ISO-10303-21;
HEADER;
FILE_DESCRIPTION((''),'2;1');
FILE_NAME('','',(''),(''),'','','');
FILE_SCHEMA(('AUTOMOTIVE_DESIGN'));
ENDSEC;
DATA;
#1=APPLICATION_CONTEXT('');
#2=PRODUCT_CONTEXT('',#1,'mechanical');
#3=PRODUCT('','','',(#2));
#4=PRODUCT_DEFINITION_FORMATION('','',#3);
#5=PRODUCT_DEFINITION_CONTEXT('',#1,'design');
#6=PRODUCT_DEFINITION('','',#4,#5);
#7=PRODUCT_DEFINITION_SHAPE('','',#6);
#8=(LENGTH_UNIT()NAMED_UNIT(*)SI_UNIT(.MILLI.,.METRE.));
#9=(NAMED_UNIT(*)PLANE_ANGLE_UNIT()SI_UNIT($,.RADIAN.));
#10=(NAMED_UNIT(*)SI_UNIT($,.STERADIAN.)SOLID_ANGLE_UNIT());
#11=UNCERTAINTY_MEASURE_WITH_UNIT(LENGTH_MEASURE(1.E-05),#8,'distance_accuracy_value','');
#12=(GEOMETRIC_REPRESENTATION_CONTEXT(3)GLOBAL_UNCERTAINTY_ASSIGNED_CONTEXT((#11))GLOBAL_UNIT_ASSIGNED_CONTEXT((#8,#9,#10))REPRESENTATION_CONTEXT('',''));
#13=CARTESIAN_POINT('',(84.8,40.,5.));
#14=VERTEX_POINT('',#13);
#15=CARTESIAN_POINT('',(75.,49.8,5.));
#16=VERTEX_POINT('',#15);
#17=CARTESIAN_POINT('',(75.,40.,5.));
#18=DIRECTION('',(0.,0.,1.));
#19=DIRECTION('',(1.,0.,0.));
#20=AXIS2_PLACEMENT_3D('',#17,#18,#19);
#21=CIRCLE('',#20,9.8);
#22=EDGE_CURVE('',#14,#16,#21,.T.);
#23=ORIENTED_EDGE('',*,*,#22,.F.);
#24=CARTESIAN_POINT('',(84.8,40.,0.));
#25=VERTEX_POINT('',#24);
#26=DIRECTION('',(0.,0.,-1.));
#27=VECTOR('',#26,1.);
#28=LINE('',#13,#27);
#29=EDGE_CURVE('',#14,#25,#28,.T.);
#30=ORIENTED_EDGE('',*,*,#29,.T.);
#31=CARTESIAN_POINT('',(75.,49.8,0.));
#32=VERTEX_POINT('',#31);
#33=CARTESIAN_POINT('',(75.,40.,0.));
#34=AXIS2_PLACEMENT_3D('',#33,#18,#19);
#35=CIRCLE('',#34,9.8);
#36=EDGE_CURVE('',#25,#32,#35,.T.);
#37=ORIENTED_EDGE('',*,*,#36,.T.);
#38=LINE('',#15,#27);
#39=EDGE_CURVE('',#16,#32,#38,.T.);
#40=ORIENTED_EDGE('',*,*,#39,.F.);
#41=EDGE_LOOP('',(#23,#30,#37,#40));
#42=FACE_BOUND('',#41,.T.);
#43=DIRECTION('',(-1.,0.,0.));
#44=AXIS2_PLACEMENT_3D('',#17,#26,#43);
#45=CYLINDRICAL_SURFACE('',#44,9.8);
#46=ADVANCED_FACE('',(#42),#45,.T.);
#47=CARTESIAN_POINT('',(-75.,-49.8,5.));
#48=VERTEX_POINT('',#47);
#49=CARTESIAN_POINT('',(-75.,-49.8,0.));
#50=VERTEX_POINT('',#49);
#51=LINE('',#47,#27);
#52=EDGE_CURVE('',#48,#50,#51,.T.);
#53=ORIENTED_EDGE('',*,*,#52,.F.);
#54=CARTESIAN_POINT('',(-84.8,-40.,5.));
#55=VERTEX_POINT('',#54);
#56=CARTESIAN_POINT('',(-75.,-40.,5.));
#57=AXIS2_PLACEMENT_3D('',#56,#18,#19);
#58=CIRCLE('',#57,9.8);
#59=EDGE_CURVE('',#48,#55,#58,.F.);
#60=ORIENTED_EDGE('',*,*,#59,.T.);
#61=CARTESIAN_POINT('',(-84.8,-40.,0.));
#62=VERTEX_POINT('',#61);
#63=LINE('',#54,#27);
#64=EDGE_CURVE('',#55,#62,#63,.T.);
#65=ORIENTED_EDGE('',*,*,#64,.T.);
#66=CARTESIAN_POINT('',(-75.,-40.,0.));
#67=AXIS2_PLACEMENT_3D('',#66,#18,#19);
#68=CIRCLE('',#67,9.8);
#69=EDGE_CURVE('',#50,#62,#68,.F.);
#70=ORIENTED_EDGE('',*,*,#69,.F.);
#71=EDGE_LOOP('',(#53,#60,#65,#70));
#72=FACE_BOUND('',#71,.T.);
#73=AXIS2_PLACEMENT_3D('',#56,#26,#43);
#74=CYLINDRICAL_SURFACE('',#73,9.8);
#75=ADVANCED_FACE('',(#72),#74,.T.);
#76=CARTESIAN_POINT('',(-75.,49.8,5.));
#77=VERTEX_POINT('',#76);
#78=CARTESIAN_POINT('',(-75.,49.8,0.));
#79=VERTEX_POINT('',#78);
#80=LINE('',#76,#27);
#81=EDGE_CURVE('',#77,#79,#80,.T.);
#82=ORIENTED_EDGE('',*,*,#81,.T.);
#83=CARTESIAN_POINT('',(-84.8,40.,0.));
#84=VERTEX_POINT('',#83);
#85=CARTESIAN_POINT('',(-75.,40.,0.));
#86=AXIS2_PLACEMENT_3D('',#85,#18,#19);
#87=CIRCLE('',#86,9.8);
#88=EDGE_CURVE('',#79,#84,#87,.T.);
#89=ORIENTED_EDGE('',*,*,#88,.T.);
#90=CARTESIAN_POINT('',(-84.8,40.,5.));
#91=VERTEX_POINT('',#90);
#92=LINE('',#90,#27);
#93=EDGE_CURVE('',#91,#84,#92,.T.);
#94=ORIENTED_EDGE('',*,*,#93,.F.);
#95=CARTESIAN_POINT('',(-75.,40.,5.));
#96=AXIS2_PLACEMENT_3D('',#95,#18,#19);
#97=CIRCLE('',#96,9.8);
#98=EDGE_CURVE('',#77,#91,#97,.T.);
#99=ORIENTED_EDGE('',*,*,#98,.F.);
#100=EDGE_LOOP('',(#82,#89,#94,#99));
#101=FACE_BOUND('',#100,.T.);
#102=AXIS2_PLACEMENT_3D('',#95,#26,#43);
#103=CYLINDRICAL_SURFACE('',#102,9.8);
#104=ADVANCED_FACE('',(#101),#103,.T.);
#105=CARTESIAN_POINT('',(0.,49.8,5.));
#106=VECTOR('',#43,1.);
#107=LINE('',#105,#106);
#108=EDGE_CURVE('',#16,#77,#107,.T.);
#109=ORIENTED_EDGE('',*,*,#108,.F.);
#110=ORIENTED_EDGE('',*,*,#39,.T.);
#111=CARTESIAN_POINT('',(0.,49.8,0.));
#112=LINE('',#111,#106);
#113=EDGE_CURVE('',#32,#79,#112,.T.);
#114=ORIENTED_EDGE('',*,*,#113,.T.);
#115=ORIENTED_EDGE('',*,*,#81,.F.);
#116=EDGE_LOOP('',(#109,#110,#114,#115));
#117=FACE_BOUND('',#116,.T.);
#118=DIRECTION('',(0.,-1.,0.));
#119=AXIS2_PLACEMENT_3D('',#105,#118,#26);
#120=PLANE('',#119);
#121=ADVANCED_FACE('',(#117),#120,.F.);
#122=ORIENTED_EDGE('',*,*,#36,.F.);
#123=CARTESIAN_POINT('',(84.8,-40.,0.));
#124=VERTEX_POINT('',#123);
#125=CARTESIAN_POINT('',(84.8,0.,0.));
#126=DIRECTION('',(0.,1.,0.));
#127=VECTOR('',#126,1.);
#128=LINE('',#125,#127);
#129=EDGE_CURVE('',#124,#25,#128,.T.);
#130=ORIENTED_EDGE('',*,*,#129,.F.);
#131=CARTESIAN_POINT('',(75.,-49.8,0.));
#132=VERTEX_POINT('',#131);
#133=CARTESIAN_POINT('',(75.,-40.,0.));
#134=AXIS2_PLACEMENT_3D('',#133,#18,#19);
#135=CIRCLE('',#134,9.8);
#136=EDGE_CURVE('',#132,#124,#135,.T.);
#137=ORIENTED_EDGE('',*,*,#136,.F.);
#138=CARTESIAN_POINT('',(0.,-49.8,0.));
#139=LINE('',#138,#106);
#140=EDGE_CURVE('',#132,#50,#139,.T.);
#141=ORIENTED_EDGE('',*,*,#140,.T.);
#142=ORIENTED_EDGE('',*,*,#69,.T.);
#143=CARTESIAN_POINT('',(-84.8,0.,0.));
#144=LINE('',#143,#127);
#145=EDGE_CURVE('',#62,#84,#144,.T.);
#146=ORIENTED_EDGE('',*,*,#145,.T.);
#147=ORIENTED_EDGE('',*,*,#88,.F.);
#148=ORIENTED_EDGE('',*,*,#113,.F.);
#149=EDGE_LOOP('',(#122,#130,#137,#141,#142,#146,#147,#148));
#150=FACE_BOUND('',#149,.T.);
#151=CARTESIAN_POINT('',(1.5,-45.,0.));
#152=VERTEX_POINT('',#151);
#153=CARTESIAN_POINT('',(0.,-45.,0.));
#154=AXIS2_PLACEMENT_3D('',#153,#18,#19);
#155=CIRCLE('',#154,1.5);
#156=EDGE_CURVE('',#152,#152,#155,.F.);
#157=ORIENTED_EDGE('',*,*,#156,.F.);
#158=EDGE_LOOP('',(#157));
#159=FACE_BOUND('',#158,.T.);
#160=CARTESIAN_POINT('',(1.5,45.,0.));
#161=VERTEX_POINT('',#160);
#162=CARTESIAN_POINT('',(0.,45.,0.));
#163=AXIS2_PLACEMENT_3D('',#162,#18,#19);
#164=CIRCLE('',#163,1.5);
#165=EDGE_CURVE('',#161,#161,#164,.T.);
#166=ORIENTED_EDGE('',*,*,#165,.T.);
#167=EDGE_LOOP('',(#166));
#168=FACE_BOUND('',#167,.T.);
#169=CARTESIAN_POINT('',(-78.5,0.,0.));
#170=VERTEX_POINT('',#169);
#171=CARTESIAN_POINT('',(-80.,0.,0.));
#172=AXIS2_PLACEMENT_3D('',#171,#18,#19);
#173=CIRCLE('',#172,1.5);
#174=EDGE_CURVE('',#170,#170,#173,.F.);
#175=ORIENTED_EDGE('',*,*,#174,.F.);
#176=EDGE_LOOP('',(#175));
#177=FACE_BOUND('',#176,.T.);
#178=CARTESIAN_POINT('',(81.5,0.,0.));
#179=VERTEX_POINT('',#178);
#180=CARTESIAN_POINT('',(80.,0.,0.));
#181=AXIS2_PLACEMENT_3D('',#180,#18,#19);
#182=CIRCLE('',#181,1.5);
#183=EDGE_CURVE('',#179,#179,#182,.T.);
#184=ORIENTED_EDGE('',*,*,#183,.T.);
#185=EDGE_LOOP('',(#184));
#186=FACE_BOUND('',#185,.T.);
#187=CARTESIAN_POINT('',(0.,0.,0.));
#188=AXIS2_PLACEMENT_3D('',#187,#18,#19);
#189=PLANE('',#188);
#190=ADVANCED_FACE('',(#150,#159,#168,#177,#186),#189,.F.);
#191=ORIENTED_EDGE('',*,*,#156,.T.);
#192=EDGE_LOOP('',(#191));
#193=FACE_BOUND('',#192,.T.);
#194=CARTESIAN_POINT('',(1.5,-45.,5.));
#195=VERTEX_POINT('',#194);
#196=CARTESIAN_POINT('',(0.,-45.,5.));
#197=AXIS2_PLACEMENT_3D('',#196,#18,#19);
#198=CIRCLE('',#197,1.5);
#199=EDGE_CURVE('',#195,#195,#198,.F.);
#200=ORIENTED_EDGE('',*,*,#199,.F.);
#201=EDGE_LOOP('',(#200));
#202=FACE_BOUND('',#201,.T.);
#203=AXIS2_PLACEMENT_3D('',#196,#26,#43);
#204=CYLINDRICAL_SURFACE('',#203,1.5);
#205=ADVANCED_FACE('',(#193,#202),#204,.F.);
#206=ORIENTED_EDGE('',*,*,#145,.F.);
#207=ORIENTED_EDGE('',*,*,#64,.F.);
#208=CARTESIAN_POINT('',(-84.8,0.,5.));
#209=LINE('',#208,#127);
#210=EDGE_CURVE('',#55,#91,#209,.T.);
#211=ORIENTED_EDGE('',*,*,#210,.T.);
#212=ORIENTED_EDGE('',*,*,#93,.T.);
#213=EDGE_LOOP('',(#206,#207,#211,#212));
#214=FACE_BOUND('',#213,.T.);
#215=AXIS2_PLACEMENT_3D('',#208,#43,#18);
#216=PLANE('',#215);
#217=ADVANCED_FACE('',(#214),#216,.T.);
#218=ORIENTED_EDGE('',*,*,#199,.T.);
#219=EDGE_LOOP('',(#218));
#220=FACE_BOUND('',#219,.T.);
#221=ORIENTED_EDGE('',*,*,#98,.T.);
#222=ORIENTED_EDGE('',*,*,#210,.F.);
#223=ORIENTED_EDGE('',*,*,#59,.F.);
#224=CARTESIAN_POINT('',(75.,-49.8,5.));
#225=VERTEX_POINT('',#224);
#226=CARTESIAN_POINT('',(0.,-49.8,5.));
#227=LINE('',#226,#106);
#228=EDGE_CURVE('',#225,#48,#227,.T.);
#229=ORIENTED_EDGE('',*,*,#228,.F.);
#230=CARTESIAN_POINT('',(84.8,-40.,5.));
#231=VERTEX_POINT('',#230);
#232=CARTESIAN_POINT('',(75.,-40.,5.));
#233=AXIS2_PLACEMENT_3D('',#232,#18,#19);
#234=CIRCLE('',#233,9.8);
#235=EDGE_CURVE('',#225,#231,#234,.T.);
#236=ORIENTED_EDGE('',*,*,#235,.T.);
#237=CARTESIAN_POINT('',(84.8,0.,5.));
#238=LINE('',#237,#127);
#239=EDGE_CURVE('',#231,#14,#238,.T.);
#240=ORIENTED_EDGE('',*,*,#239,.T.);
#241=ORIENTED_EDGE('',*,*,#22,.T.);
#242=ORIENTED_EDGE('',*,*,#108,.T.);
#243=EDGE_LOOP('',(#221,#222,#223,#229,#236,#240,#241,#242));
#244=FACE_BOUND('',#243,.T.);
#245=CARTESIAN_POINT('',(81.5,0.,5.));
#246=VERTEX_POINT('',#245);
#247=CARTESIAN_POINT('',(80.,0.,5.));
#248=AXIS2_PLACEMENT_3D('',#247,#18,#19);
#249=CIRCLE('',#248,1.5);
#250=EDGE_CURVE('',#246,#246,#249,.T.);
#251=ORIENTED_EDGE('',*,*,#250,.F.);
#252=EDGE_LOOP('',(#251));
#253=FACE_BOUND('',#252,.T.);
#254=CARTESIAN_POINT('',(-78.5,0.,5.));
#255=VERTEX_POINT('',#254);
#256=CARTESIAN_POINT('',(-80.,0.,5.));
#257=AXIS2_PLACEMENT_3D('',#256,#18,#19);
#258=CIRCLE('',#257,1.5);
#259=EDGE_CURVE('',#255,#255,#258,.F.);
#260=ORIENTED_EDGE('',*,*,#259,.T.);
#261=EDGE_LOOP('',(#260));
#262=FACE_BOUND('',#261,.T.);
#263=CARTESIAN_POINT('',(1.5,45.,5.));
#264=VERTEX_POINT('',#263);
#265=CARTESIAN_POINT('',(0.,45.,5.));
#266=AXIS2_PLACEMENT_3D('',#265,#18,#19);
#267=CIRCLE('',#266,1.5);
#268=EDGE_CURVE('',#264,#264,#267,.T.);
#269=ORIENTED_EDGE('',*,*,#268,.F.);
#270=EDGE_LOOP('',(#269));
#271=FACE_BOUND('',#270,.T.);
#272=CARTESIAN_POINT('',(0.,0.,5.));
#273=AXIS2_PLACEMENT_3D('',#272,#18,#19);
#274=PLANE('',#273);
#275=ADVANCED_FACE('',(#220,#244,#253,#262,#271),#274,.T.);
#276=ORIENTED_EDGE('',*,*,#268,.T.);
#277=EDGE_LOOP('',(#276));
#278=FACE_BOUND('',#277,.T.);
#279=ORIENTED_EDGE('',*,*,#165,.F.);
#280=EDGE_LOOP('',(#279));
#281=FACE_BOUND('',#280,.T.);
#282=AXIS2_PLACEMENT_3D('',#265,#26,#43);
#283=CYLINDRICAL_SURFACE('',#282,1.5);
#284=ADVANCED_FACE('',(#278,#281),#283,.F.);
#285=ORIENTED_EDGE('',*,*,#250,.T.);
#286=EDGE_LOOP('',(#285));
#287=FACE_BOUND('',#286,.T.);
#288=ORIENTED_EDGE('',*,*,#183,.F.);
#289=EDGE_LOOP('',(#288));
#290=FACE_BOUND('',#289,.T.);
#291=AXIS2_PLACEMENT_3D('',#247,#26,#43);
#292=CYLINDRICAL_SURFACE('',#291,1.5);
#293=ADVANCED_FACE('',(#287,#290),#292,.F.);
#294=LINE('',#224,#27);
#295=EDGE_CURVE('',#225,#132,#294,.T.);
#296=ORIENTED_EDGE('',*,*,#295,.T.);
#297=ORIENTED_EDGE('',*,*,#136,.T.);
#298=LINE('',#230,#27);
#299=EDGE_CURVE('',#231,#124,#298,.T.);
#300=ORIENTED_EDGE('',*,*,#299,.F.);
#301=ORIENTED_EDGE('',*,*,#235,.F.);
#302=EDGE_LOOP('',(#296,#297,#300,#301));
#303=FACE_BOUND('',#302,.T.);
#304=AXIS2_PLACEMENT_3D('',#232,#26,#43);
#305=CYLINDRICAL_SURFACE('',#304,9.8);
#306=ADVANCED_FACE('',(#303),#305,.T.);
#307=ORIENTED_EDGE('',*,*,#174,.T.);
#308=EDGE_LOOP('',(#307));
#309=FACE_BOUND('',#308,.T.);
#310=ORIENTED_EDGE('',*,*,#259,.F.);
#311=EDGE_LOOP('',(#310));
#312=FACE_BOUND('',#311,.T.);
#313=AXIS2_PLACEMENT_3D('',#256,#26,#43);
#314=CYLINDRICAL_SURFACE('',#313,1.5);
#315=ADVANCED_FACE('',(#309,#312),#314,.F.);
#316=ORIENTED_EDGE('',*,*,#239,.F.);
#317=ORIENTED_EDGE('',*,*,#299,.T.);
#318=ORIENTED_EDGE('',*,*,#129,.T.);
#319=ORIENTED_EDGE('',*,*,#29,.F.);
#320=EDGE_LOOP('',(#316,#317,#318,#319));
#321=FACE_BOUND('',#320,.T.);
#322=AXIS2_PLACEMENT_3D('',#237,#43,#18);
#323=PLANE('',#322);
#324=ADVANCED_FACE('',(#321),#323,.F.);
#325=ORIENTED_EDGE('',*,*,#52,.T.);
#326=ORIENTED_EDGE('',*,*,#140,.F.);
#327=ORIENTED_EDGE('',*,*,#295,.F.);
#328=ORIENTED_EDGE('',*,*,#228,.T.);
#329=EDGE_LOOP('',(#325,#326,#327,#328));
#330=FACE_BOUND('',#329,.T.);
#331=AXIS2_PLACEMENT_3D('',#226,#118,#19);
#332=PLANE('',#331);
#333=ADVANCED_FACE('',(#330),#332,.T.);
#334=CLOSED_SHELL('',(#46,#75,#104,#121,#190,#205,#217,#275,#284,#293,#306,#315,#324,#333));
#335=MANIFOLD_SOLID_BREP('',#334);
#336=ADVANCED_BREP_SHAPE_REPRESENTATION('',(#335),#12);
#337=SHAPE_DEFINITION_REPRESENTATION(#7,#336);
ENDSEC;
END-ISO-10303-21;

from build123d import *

# Parameters (mm, degrees)
ESBO_O1_R                = 1.5
RESSALTO_EXTRUS_O1_DEPTH = 5


with BuildPart() as part:
    # Esboço1 → Ressalto-extrusão1 (new body)
    with BuildSketch(Plane.XY):
        with BuildLine():
            Line((84.8, -40), (84.8, 40))
            ThreePointArc((84.8, 40), (81.929646456, 46.929646456), (75, 49.8))
            Line((75, 49.8), (-75, 49.8))
            ThreePointArc((-75, 49.8), (-81.929646456, 46.929646456), (-84.8, 40))
            Line((-84.8, 40), (-84.8, -40))
            ThreePointArc((-84.8, -40), (-81.929646456, -46.929646456), (-75, -49.8))
            Line((-75, -49.8), (75, -49.8))
            ThreePointArc((75, -49.8), (81.929646456, -46.929646456), (84.8, -40))
        make_face()
        with Locations((0, -45)):
            Circle(ESBO_O1_R, mode=Mode.SUBTRACT)
        with Locations((80, 0)):
            Circle(ESBO_O1_R, mode=Mode.SUBTRACT)
        with Locations((0, 45)):
            Circle(ESBO_O1_R, mode=Mode.SUBTRACT)
        with Locations((-80, 0)):
            Circle(ESBO_O1_R, mode=Mode.SUBTRACT)
    extrude(amount=RESSALTO_EXTRUS_O1_DEPTH)


solid = part.part
